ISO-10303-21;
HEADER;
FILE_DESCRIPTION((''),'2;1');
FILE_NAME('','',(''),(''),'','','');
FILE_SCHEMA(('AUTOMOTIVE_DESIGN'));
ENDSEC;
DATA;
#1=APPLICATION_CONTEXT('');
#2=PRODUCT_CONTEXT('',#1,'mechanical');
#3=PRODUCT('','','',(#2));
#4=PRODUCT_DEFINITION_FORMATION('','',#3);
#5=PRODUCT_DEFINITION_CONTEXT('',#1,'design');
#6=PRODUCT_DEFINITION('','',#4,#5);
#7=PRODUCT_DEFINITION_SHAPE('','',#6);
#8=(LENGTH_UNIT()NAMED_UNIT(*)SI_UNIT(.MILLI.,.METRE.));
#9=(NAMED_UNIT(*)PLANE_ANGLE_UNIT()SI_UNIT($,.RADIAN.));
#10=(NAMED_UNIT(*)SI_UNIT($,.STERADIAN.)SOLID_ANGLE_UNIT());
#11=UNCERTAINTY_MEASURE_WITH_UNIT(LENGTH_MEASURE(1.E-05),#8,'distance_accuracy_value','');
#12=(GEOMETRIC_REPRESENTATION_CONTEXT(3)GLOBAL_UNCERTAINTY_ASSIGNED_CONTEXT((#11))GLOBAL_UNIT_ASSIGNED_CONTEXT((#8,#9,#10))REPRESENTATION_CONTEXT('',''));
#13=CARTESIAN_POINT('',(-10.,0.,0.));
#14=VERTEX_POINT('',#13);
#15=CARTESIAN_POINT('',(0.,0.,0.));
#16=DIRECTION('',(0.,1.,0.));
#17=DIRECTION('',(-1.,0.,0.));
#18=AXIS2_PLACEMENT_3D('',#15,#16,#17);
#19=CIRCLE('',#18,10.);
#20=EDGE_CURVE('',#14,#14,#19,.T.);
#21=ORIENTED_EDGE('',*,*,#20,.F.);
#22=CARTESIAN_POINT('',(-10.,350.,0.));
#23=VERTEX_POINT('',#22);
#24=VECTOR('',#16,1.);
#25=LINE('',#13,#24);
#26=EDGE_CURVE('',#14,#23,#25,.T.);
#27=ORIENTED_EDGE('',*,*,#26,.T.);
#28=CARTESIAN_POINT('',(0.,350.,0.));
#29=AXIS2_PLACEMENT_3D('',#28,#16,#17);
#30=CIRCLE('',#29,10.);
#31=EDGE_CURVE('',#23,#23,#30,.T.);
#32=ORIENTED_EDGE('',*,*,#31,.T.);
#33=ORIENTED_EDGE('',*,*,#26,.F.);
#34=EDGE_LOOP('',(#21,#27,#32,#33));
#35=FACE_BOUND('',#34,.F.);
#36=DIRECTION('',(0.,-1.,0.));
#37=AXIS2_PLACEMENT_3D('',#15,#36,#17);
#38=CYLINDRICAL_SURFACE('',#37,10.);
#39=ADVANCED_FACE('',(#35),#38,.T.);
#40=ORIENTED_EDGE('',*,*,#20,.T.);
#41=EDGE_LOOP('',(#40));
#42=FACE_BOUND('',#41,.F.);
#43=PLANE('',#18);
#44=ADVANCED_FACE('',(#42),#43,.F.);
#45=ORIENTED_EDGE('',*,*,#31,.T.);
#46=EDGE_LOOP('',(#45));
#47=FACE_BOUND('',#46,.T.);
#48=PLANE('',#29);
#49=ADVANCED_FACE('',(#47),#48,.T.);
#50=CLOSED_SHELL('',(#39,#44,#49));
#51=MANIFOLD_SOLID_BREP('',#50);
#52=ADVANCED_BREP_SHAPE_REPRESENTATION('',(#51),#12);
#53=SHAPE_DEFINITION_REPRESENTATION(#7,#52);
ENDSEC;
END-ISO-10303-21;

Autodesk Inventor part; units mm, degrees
ref_plane "YZ Plane" through (0, 0, 0) normal (1, 0, 0) x (0, 1, 0)
ref_plane "XZ Plane" through (0, 0, 0) normal (0, 1, 0) x (-1, 0, 0)
ref_plane "XY Plane" through (0, 0, 0) normal (0, 0, 1) x (1, 0, 0)
sketch "Sketch1" plane through (0, 0, 0) normal (0, 1, 0) x (-1, 0, 0)
  circle A0 centre (0, 0) radius 10
  dimension "d0" = 20
extrude "Extrusion1" add sketch "Sketch1" along normal blind 350
properties part number "Piston Rod" material "Steel, High Strength, Low Alloy"
